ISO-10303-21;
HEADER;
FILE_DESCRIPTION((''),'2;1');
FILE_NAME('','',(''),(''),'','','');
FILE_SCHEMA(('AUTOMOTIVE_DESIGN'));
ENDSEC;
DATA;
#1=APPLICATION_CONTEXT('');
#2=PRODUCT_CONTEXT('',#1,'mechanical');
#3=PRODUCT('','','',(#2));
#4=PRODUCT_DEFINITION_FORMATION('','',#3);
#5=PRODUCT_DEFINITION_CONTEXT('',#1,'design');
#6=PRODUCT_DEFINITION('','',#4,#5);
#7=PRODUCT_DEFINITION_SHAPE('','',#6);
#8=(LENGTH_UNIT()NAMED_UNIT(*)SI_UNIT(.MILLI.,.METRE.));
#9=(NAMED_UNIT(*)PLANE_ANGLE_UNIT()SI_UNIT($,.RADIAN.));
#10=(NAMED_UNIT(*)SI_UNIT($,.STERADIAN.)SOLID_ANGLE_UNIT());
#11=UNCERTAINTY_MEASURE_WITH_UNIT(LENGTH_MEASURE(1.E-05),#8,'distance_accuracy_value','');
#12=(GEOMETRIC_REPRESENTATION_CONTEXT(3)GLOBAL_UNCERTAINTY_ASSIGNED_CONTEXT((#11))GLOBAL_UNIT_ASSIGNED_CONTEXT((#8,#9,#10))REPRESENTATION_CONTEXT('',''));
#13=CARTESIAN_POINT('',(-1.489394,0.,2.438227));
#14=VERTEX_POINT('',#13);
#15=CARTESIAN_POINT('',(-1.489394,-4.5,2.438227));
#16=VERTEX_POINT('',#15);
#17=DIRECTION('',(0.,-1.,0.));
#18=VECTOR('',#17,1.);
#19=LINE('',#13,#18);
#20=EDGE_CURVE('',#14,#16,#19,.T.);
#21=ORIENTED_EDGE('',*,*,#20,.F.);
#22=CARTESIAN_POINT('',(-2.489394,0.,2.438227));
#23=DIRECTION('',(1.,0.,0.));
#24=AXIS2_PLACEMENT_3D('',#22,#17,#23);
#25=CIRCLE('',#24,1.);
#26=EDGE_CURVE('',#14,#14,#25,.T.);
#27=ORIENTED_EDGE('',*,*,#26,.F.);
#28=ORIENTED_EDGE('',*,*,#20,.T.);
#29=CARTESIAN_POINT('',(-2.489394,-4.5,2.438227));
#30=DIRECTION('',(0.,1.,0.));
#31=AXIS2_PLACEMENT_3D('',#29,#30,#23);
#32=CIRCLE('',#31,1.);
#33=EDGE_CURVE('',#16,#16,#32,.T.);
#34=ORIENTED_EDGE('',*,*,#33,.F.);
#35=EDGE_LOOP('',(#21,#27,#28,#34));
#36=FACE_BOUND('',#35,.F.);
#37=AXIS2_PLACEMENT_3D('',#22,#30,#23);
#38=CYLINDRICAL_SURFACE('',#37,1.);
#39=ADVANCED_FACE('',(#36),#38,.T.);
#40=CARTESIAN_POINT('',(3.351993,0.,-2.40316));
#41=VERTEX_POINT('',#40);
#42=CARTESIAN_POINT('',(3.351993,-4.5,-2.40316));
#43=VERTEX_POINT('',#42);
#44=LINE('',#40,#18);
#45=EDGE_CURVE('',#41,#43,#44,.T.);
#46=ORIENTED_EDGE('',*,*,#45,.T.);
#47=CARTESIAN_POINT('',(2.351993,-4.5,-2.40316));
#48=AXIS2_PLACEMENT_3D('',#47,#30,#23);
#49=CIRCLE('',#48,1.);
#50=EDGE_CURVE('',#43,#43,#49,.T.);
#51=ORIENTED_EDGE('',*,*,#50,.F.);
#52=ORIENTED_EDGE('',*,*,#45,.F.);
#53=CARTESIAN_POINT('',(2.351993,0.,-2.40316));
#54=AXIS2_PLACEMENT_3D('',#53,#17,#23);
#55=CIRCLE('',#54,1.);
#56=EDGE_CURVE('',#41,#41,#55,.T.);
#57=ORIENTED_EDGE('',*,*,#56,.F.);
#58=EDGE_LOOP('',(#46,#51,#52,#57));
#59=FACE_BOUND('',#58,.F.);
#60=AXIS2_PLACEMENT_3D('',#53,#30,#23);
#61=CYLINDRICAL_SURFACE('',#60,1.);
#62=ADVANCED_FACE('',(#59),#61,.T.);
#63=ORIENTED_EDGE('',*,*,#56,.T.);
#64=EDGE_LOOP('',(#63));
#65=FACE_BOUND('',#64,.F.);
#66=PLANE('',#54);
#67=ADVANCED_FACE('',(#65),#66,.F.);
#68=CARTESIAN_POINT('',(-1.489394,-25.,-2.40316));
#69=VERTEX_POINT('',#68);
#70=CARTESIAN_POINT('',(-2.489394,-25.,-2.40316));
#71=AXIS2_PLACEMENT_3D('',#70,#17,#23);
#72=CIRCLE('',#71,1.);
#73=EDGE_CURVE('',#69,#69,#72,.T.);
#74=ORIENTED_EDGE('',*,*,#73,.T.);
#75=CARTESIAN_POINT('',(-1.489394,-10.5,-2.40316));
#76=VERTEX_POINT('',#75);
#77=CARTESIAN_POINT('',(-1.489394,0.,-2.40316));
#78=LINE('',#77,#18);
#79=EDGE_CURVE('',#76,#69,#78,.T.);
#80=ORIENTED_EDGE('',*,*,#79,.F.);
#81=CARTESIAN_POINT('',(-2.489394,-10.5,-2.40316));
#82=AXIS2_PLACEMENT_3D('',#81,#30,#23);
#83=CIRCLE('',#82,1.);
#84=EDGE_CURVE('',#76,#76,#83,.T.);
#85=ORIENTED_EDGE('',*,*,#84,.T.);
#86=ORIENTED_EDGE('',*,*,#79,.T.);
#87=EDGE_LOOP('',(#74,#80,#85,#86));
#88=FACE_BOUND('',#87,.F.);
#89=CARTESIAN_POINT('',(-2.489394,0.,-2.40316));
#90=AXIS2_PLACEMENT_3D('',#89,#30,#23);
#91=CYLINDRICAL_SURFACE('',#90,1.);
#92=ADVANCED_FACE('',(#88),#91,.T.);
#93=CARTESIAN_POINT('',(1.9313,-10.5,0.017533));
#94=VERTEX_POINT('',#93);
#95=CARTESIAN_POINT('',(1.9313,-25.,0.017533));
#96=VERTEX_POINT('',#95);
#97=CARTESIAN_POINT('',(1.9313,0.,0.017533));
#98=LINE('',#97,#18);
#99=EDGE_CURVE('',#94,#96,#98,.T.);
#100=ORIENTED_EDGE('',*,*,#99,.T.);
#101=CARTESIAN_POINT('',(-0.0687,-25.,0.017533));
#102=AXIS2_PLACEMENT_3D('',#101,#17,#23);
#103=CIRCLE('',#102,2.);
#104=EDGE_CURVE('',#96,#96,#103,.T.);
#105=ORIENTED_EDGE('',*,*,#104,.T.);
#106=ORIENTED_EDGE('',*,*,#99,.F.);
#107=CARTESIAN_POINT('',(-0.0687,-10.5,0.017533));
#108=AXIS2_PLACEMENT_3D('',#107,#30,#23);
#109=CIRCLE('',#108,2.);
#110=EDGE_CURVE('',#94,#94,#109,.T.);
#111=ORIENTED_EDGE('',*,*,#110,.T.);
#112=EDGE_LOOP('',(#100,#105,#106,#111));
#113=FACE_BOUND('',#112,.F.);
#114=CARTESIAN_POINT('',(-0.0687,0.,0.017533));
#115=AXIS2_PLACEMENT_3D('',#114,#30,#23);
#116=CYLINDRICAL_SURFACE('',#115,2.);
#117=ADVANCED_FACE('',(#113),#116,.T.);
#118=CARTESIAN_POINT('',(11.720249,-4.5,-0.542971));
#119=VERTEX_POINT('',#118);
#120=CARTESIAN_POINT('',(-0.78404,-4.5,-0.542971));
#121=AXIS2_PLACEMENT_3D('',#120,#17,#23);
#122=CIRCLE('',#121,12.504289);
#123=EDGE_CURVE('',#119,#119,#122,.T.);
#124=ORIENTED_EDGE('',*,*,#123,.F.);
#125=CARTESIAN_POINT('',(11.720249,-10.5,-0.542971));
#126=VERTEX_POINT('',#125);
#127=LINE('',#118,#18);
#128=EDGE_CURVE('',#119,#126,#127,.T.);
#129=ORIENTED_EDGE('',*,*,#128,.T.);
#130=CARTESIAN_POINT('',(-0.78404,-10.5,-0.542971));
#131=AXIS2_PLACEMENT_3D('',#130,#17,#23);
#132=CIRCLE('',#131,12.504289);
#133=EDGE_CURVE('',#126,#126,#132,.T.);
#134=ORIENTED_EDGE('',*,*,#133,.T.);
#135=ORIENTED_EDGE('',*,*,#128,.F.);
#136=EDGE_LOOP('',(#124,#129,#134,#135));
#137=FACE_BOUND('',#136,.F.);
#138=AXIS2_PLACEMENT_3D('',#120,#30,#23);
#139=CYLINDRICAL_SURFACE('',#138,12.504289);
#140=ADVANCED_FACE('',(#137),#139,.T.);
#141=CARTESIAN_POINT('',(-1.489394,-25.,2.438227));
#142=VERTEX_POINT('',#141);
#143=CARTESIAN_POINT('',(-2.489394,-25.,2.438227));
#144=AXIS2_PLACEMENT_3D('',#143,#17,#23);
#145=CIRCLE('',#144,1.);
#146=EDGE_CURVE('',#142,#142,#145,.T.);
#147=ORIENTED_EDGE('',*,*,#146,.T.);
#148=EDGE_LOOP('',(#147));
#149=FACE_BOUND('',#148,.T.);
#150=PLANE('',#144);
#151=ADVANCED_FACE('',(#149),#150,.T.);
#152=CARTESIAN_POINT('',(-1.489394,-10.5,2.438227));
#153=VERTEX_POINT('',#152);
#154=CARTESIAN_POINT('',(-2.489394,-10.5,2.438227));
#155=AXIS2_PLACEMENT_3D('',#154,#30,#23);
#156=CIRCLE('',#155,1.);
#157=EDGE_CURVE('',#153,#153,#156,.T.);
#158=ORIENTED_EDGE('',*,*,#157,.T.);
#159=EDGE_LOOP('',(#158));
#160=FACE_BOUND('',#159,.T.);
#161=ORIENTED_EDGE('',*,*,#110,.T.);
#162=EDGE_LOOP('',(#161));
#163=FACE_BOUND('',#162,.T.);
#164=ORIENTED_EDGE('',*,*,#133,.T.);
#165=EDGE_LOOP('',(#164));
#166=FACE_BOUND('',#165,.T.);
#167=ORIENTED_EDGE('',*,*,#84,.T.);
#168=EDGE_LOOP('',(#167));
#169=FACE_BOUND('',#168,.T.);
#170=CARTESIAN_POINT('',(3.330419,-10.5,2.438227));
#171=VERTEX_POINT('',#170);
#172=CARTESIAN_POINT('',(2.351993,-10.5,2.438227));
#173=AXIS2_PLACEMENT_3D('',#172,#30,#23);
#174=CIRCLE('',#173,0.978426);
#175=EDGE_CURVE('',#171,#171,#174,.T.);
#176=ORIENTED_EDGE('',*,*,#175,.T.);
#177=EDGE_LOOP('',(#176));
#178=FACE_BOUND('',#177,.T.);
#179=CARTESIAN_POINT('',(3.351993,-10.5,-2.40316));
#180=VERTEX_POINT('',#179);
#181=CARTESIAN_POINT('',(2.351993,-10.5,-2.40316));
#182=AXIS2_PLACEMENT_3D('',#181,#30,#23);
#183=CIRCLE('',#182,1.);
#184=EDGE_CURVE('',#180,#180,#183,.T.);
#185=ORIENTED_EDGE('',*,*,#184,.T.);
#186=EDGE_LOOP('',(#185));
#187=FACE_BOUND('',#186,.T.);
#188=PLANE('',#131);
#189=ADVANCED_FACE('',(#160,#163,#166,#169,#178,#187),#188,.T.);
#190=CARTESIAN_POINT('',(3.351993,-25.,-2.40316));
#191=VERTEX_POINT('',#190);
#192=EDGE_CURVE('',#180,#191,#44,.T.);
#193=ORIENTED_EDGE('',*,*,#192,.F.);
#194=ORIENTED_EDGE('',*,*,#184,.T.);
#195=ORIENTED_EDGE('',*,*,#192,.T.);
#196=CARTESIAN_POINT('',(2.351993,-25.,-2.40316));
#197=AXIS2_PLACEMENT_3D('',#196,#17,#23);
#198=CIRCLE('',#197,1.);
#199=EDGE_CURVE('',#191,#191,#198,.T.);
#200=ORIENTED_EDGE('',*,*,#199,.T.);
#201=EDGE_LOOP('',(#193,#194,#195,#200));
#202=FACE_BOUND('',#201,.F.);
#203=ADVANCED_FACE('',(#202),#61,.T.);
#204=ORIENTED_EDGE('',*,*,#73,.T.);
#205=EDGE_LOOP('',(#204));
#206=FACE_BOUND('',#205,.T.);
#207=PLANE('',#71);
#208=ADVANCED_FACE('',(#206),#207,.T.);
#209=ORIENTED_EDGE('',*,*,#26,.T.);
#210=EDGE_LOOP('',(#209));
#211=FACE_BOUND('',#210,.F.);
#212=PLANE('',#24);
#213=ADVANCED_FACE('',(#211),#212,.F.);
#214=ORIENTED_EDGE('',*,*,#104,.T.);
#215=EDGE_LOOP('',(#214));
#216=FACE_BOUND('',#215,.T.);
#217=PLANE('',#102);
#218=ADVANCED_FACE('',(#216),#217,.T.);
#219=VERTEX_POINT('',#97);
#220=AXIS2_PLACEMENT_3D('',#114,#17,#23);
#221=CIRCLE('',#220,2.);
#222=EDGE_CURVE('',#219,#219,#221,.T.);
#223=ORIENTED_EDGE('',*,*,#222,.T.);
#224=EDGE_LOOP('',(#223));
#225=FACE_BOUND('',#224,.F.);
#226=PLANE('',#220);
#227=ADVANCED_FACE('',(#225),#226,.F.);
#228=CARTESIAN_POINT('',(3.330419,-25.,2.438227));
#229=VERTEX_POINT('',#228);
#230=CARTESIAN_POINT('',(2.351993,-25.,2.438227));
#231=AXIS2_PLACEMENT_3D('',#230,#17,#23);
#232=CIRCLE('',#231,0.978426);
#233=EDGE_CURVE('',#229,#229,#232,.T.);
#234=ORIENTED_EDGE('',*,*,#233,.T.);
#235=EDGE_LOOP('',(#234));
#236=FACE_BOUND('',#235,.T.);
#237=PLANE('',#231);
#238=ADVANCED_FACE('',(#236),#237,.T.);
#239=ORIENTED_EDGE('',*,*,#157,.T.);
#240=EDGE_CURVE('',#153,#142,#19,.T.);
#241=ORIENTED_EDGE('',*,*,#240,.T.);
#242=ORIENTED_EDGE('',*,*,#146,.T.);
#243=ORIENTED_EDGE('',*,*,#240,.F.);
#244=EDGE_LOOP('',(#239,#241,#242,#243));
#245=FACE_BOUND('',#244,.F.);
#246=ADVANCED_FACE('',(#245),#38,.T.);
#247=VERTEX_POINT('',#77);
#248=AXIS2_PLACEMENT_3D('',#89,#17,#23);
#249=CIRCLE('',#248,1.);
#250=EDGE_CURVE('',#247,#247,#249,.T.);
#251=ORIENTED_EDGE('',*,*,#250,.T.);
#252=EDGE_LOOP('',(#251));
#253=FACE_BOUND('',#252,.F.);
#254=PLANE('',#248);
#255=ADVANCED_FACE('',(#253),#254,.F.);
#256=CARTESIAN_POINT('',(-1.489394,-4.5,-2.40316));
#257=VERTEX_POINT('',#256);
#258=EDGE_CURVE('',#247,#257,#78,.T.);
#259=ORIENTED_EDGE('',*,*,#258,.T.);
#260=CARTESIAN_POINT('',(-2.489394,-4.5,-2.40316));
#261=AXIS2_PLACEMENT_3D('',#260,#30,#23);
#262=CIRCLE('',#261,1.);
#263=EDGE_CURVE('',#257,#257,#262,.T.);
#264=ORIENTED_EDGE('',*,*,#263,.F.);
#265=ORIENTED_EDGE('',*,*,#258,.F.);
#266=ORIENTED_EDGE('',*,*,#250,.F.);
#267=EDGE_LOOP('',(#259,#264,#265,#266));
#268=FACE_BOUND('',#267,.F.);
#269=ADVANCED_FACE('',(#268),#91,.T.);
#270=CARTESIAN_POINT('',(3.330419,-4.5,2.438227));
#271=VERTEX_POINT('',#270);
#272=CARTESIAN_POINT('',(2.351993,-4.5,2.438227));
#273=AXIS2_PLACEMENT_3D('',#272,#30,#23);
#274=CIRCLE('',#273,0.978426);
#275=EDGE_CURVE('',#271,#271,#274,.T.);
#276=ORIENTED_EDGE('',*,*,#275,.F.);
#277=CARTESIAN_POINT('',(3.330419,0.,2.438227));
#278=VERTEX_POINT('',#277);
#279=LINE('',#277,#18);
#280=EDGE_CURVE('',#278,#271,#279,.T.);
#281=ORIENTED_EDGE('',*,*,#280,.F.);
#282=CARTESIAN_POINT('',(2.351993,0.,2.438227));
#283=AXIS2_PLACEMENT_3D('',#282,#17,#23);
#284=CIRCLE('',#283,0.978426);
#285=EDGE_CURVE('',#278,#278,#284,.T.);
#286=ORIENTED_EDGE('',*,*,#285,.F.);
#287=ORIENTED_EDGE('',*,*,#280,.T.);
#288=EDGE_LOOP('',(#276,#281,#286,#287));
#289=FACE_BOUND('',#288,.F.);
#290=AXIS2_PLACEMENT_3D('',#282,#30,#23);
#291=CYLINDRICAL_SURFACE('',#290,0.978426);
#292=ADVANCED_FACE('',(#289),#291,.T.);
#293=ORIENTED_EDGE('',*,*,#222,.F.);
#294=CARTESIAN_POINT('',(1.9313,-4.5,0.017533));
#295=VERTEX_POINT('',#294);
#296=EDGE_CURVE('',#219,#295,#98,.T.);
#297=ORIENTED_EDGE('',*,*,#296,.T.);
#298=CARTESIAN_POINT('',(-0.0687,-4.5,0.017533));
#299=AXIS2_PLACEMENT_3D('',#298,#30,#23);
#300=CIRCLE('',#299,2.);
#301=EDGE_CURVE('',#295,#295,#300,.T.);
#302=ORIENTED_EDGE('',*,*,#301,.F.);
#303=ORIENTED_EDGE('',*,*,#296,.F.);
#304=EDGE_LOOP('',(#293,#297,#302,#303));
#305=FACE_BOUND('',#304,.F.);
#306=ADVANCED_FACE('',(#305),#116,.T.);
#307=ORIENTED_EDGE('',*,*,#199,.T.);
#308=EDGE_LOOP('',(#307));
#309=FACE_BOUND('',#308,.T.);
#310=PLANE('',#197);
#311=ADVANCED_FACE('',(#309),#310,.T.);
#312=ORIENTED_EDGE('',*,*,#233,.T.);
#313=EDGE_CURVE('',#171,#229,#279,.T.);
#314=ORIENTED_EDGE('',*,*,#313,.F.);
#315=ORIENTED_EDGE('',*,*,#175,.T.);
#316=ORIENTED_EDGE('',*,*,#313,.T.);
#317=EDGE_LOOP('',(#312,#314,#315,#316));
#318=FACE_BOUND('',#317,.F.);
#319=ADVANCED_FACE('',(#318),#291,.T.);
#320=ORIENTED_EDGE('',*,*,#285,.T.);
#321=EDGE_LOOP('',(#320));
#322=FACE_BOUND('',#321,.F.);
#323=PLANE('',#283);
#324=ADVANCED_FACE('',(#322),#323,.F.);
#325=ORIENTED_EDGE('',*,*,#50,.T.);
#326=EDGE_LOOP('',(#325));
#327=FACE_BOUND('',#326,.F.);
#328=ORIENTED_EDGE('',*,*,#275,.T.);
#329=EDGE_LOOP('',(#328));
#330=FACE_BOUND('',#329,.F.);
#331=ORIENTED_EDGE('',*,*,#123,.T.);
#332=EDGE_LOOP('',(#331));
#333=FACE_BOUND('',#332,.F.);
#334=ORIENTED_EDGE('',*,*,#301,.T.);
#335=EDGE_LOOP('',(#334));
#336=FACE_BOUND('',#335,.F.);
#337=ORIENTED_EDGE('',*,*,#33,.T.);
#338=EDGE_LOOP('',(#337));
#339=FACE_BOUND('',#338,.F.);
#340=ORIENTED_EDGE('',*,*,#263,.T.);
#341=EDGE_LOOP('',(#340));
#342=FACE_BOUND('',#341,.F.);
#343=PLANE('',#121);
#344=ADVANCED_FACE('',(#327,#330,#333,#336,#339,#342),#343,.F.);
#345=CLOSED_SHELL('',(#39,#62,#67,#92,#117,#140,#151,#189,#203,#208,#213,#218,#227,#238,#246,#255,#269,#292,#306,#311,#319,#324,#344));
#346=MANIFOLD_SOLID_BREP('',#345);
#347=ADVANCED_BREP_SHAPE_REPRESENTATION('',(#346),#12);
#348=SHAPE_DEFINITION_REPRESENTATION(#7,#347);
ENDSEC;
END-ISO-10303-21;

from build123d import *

# Parameters (mm, degrees)
F0_R     = 12.504289
F1_DEPTH = 6
F2_R     = 1
F2_R_2   = 0.978426
F2_R_3   = 2
F4_DEPTH = 25


with BuildPart() as f1:
    # F0 (on Front) → F1 (new body)
    with BuildSketch(Plane.XZ):
        with Locations((-13.58404, 22.957029)):
            Circle(F0_R)
    extrude(amount=F1_DEPTH)


with BuildPart() as f1_1:
    # F3: moved
    add(f1.part.moved(Location((12.8, -4.5, -23.5))))

    # F2 (on Front) → F4 (join)
    with BuildSketch(Plane.XZ):
        with Locations((-2.489394, 2.438227)):
            Circle(F2_R)
        with Locations((2.351993, 2.438227)):
            Circle(F2_R_2)
        with Locations((-2.489394, -2.40316)):
            Circle(F2_R)
        with Locations((2.351993, -2.40316)):
            Circle(F2_R)
        with Locations((-0.0687, 0.017533)):
            Circle(F2_R_3)
    extrude(amount=F4_DEPTH)


solid = f1_1.part
